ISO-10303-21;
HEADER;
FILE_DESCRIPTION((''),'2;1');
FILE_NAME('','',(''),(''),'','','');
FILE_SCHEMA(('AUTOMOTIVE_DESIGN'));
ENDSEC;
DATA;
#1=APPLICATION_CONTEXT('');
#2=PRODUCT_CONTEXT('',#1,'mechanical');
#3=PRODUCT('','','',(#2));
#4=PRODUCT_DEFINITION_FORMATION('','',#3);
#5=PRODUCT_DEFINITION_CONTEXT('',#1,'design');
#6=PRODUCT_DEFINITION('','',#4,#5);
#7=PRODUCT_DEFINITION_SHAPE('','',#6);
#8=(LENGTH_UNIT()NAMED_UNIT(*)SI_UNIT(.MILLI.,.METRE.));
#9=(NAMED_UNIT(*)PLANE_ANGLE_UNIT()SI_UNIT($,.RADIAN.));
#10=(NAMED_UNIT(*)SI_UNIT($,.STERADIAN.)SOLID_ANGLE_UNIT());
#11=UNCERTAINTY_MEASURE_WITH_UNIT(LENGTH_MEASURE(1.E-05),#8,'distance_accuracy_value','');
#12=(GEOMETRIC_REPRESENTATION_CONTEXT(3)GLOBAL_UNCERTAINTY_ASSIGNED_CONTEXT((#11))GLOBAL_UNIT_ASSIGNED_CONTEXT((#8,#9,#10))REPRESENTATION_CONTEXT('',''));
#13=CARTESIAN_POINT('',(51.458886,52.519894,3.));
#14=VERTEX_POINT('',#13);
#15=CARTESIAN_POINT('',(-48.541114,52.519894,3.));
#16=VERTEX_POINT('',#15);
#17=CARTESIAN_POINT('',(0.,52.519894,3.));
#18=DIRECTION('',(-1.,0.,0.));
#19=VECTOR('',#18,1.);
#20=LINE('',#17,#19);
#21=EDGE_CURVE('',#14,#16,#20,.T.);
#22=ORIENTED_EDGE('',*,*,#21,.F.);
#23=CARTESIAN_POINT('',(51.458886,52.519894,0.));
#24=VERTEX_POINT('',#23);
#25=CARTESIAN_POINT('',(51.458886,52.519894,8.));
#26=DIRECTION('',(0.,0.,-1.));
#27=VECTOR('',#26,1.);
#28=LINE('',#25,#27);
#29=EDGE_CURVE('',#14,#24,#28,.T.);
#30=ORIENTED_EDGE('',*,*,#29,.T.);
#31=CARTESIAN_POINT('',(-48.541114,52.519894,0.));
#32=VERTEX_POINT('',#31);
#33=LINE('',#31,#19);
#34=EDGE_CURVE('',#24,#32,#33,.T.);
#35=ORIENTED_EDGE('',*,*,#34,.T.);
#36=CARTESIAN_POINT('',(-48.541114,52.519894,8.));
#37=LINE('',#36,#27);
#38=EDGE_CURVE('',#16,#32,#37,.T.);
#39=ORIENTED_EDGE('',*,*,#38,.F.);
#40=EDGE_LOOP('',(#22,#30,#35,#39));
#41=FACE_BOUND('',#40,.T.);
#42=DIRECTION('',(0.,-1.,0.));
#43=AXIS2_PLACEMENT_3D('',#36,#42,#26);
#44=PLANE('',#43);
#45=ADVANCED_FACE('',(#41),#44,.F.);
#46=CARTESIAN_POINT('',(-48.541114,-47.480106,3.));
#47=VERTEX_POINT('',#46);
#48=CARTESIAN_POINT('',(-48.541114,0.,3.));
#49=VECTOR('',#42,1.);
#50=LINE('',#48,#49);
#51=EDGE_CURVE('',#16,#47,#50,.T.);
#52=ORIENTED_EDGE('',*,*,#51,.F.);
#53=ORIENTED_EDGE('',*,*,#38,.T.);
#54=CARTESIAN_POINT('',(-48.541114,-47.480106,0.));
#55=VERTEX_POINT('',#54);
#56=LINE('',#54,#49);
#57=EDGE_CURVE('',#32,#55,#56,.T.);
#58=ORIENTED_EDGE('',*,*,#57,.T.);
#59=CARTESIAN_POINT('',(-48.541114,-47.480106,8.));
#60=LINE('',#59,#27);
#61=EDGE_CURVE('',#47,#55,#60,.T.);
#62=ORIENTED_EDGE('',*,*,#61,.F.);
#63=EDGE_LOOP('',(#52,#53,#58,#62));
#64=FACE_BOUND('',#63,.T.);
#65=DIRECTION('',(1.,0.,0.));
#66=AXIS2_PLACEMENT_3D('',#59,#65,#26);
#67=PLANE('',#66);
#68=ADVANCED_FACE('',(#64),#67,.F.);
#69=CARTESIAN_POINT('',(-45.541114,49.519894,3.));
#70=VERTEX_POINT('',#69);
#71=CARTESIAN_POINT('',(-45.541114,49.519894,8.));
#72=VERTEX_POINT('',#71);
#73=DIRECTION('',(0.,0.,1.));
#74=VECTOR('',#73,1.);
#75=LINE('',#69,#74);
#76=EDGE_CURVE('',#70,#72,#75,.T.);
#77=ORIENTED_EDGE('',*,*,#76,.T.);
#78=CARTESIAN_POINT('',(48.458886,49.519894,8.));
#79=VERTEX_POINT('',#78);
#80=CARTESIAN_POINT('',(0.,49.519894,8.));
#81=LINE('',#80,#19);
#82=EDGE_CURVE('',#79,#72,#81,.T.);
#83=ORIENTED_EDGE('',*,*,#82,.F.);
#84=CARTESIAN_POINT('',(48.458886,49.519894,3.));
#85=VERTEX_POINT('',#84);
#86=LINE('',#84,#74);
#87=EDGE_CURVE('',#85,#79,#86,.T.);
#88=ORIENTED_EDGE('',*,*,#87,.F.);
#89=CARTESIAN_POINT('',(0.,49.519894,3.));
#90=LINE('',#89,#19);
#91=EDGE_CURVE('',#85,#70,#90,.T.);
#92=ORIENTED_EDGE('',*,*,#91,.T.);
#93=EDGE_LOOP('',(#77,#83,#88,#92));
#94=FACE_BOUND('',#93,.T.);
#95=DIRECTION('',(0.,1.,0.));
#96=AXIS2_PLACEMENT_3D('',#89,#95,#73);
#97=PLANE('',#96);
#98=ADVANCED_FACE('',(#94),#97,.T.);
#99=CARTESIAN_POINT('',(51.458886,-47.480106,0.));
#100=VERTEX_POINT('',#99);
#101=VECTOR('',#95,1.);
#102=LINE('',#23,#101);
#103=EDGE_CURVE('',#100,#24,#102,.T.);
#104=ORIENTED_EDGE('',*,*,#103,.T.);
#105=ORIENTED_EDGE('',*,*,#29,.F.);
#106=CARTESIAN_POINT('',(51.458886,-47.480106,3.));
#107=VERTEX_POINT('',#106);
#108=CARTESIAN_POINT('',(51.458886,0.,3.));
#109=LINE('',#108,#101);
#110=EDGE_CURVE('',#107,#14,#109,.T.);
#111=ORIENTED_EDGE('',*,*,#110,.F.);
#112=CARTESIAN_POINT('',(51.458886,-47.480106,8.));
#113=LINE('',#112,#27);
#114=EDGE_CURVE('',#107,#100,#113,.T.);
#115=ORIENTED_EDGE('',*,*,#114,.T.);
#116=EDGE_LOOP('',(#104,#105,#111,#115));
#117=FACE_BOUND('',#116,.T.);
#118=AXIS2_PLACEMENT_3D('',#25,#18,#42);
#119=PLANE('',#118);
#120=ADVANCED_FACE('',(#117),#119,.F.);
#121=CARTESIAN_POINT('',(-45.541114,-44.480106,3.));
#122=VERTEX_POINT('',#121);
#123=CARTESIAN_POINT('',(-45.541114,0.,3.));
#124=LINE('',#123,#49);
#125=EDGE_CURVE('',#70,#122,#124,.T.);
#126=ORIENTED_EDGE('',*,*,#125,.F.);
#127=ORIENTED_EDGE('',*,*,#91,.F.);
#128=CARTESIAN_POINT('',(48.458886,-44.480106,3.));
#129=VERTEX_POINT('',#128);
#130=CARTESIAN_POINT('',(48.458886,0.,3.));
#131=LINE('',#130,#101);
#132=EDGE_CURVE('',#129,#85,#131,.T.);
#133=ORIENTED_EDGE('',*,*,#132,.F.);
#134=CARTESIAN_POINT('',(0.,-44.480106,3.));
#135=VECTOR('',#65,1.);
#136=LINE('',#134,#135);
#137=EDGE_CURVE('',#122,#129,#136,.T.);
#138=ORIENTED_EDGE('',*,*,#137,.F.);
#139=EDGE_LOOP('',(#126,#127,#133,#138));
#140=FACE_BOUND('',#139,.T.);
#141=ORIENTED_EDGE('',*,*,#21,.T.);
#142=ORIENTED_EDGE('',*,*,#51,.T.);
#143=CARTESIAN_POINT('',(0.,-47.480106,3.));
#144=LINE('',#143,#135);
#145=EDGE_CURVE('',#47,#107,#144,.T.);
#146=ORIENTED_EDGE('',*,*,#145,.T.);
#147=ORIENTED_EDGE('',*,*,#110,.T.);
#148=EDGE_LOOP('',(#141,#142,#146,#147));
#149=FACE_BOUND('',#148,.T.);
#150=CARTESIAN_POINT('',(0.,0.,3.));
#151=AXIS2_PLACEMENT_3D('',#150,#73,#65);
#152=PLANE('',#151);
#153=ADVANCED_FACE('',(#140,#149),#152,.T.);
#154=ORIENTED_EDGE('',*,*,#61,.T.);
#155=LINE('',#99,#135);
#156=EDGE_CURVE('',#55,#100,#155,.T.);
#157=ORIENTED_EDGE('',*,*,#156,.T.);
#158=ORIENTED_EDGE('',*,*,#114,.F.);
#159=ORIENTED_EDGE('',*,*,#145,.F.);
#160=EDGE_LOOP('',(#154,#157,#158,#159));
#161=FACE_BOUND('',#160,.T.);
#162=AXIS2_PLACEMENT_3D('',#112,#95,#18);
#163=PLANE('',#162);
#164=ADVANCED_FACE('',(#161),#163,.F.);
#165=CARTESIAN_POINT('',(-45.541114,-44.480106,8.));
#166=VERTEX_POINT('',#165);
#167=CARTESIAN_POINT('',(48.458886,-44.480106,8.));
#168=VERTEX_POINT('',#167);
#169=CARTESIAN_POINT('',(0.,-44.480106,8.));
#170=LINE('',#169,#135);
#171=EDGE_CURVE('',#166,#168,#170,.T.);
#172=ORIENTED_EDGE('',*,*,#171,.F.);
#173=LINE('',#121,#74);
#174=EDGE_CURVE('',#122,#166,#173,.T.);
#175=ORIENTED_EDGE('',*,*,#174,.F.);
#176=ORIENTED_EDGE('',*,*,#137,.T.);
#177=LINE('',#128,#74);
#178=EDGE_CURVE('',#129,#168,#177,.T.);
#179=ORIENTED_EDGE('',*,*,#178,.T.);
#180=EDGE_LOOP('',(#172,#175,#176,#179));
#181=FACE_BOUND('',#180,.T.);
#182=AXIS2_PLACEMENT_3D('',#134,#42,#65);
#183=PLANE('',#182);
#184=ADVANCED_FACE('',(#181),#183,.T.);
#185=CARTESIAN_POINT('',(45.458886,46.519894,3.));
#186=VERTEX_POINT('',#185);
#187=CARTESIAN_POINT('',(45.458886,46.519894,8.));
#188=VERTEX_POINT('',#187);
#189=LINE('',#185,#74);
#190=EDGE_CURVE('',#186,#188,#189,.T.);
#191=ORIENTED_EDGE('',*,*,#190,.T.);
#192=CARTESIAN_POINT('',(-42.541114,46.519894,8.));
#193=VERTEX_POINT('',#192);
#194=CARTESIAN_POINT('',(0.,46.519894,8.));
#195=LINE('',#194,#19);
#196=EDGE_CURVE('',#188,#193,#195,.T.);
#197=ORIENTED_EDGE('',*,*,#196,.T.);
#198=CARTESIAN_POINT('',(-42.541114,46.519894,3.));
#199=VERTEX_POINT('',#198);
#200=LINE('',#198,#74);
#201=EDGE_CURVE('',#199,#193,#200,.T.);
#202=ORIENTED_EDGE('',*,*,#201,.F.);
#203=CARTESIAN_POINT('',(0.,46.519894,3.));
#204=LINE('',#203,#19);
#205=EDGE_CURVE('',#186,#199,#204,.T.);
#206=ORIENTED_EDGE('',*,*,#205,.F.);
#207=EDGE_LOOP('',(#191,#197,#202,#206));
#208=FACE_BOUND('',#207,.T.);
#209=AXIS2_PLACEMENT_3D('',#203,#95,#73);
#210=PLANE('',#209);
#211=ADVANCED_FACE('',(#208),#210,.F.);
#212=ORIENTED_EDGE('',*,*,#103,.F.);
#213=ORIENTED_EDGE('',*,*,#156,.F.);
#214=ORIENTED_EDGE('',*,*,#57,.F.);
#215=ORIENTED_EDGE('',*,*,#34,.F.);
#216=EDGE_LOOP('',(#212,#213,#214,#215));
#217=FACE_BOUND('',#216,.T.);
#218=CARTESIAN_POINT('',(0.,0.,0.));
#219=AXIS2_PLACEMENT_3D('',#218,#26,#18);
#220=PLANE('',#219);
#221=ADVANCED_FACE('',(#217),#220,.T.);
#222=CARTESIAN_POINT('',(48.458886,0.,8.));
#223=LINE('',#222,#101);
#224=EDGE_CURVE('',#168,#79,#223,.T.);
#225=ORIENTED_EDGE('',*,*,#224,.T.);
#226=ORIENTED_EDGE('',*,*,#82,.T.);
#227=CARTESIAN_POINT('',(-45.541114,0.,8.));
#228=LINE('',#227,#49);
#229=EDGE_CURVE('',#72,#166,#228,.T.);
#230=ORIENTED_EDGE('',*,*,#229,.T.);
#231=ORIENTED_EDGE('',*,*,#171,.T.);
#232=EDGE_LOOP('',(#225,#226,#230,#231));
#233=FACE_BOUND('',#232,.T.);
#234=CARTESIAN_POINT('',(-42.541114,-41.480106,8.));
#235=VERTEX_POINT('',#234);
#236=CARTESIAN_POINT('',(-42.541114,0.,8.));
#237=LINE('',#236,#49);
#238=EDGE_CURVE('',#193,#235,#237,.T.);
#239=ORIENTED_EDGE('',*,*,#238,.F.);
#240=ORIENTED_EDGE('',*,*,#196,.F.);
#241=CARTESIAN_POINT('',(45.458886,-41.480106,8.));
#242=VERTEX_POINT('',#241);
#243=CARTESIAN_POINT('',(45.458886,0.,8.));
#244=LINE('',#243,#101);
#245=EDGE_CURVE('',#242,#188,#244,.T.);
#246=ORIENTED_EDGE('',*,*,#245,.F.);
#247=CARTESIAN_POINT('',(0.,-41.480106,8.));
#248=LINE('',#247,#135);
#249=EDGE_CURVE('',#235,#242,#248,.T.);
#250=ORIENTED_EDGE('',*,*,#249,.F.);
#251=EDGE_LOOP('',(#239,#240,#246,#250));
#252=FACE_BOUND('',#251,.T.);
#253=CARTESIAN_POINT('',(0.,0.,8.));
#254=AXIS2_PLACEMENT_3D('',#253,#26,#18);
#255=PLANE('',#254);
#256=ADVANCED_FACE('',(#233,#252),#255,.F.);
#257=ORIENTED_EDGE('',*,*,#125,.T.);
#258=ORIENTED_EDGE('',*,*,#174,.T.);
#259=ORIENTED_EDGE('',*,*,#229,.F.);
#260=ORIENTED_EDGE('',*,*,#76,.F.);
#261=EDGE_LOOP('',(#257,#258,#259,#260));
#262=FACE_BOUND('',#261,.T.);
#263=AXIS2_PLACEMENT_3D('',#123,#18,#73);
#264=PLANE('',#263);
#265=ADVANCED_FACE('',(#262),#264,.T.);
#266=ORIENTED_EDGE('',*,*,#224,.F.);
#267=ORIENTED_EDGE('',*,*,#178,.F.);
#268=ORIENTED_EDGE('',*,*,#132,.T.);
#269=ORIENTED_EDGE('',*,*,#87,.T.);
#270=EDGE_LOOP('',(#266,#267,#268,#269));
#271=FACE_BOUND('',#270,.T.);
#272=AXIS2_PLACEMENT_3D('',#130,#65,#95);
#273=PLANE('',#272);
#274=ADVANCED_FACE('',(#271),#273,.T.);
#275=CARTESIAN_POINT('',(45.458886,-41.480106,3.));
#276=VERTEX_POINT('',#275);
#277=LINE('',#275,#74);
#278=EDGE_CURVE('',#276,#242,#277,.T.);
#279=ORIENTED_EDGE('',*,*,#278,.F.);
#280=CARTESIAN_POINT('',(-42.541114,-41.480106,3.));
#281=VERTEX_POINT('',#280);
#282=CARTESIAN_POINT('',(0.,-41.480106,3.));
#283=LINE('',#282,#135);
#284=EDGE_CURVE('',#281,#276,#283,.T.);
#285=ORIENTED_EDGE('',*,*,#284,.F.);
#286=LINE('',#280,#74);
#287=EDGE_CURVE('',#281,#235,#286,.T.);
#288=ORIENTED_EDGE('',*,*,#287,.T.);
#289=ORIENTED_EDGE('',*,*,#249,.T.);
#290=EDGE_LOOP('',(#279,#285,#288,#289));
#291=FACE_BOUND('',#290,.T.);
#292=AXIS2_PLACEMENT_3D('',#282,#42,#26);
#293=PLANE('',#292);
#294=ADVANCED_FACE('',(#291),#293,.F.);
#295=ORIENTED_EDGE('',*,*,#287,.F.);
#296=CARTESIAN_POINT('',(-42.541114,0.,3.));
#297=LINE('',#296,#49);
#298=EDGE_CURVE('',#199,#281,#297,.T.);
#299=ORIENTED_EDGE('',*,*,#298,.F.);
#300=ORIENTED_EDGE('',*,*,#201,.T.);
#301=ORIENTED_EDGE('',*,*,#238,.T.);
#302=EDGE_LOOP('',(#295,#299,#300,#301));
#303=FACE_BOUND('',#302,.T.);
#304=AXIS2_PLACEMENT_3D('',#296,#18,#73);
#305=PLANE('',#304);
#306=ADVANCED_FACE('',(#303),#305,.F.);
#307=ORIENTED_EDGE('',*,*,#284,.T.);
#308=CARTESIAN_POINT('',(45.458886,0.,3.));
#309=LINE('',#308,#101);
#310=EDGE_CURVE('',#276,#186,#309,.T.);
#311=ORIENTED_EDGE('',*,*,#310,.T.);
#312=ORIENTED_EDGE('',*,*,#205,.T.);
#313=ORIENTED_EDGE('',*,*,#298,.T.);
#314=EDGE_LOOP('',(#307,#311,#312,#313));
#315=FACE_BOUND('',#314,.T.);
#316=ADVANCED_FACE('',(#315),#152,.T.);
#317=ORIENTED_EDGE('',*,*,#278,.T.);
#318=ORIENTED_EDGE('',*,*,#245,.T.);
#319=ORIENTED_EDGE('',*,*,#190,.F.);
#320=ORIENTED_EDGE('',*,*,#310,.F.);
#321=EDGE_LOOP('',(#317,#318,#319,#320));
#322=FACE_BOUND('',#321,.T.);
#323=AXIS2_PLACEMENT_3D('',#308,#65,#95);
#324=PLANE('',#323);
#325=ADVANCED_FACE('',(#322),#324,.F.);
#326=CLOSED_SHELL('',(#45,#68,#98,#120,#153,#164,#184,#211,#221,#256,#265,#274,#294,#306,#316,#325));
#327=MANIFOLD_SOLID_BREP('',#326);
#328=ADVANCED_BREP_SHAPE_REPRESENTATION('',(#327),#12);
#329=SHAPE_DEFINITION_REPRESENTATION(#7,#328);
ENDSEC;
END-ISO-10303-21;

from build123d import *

# Parameters (mm, degrees)
SKETCH_1_W          = 100
SKETCH_1_H          = 100
EXTRUDE_3_DEPTH     = 8
SKETCH_4_W          = 100
SKETCH_4_H          = 100
SKETCH_4_W_2        = 94
SKETCH_4_H_2        = 94
SKETCH_4_W_3        = 88
SKETCH_4_H_3        = 88
CUT_EXTRUDE_3_DEPTH = 5


with BuildPart() as part:
    # 草图1 → 凸台-拉伸3 (new body)
    with BuildSketch(Plane.XY):
        with Locations((1.458885942, 2.519893899)):
            Rectangle(SKETCH_1_W, SKETCH_1_H)
    extrude(amount=EXTRUDE_3_DEPTH)

    # 草图4 → 切除-拉伸3 (cut)
    with BuildSketch(Plane.XY.offset(8)):
        with Locations((1.458885942, 2.519893899)):
            Rectangle(SKETCH_4_W, SKETCH_4_H)
        with Locations((1.458885942, 2.519893899)):
            Rectangle(SKETCH_4_W_2, SKETCH_4_H_2, mode=Mode.SUBTRACT)
        with Locations((1.458885942, 2.519893899)):
            Rectangle(SKETCH_4_W_3, SKETCH_4_H_3)
    extrude(amount=-CUT_EXTRUDE_3_DEPTH, mode=Mode.SUBTRACT)


solid = part.part
